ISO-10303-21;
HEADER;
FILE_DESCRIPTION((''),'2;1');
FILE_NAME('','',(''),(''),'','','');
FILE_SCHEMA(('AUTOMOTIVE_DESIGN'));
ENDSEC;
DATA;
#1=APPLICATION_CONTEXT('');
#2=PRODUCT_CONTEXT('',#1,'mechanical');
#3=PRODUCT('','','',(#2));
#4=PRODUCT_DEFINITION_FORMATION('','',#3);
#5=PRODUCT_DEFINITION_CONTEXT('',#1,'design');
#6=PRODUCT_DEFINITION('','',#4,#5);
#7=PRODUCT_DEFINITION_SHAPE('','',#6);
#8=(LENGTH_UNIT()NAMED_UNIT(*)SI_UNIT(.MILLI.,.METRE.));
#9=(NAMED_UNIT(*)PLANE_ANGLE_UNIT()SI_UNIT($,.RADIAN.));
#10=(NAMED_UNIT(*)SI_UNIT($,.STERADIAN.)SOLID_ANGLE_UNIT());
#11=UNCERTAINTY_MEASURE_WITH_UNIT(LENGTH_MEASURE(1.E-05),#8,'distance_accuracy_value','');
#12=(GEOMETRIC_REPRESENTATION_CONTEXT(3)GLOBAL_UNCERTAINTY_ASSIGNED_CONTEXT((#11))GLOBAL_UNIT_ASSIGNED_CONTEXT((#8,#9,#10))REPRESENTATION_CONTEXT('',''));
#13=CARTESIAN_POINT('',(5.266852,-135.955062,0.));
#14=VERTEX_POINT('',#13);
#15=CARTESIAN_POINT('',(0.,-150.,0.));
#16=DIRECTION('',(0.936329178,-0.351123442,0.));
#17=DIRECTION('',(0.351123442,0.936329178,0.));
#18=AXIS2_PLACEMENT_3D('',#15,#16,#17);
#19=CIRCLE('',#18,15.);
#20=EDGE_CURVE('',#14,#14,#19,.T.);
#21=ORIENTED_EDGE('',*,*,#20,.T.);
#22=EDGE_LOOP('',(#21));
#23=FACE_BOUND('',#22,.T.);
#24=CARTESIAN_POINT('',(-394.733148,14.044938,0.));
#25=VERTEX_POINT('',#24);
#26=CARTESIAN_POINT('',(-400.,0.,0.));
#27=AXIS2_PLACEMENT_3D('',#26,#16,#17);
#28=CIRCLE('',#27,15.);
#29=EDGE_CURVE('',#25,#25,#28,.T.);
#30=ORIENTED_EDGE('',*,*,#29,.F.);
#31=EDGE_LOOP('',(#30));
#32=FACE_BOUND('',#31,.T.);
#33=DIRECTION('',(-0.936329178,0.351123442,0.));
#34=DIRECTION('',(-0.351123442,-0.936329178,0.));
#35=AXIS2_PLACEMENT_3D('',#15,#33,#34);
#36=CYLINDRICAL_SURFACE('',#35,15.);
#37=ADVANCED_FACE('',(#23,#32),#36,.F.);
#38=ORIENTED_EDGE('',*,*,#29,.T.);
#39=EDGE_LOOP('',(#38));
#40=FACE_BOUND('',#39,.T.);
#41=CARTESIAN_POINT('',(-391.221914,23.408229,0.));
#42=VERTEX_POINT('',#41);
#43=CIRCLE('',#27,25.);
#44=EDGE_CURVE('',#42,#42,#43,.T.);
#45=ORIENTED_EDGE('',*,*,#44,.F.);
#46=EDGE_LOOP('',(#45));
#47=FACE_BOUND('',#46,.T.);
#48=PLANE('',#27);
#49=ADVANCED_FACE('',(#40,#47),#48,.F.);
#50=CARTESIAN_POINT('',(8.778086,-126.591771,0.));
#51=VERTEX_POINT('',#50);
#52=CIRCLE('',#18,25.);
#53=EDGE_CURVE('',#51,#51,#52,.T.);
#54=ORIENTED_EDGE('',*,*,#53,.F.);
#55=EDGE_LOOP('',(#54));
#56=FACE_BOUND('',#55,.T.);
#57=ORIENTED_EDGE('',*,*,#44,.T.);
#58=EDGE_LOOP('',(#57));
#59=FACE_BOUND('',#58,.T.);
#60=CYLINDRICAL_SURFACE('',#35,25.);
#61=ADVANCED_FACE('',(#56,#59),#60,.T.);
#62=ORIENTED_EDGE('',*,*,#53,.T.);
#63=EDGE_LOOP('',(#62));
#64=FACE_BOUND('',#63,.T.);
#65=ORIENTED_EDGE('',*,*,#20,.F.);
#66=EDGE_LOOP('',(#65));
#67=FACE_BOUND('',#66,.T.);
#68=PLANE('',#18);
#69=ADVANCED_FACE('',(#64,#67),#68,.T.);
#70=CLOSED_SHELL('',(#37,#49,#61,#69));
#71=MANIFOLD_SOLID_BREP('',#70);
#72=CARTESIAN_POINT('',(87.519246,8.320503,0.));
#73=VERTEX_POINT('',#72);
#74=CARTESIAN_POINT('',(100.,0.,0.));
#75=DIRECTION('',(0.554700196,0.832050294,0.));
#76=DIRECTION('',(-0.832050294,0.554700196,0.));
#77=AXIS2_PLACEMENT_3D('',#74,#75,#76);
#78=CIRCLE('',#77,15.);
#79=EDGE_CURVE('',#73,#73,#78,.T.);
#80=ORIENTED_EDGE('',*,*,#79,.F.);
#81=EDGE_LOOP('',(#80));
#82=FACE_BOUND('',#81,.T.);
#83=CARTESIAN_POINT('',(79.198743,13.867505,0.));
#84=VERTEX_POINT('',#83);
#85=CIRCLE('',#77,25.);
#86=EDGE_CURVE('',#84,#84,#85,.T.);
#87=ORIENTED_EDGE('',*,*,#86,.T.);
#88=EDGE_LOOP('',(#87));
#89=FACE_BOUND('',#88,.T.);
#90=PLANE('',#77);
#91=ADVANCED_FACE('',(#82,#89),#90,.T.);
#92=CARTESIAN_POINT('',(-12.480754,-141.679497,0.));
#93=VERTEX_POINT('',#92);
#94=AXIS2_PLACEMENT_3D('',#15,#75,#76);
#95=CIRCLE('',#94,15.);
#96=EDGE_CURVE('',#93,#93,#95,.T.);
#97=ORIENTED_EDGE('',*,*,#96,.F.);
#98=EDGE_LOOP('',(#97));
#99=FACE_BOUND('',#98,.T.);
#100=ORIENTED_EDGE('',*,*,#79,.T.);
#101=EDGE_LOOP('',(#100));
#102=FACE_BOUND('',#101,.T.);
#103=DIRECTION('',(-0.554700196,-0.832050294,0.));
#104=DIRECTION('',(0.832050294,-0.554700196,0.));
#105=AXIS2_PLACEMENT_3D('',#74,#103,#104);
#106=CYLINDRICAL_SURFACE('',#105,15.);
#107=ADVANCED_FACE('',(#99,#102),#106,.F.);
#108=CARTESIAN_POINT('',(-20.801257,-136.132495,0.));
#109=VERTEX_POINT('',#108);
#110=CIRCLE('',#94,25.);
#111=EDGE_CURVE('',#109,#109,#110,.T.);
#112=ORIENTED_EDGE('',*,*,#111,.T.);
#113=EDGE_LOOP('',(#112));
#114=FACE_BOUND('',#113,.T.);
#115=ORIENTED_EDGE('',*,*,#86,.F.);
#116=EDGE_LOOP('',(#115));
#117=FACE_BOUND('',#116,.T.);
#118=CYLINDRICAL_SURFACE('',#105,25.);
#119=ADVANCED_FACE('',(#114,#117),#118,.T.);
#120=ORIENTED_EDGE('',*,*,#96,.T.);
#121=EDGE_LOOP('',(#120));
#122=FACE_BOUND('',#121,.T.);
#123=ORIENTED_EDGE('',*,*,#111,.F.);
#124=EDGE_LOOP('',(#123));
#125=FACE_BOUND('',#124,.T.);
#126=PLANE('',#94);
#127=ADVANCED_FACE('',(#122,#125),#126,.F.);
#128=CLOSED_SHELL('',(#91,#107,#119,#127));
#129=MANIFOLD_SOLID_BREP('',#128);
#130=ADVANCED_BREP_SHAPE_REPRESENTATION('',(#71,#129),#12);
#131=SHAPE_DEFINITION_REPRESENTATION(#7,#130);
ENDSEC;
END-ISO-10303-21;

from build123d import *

# Parameters (mm, degrees)
SKETCH11_R                = 25
SKETCH11_R_2              = 15
PIPE_33_7_X_4_0_1_DEPTH   = 427.200187266
SKETCH11_ON_SEGMENT_2_R   = 25
SKETCH11_ON_SEGMENT_2_R_2 = 15
PIPE_33_7_X_4_0_1_2_DEPTH = 180.277563773


with BuildPart() as part:
    # Sketch11 → Pipe 33.7 X 4.0(1) (new body)
    with BuildSketch(Plane(origin=(-400, 0, 0), x_dir=(0.3511234415883917, 0.9363291775690447, 0), z_dir=(0.9363291775690447, -0.3511234415883917, 0))):
        Circle(SKETCH11_R)
        Circle(SKETCH11_R_2, mode=Mode.SUBTRACT)
    extrude(amount=PIPE_33_7_X_4_0_1_DEPTH)


with BuildPart() as body_2:
    # Sketch11 on segment 2 (carried to segment 2) → Pipe 33.7 X 4.0_1 2 (new body)
    with BuildSketch(Plane(origin=(0, -150, 0), x_dir=(-0.832050294, 0.554700196, 0), z_dir=(0.554700196, 0.832050294, 0))):
        Circle(SKETCH11_ON_SEGMENT_2_R)
        Circle(SKETCH11_ON_SEGMENT_2_R_2, mode=Mode.SUBTRACT)
    extrude(amount=PIPE_33_7_X_4_0_1_2_DEPTH)


solid = Compound([part.part, body_2.part])
